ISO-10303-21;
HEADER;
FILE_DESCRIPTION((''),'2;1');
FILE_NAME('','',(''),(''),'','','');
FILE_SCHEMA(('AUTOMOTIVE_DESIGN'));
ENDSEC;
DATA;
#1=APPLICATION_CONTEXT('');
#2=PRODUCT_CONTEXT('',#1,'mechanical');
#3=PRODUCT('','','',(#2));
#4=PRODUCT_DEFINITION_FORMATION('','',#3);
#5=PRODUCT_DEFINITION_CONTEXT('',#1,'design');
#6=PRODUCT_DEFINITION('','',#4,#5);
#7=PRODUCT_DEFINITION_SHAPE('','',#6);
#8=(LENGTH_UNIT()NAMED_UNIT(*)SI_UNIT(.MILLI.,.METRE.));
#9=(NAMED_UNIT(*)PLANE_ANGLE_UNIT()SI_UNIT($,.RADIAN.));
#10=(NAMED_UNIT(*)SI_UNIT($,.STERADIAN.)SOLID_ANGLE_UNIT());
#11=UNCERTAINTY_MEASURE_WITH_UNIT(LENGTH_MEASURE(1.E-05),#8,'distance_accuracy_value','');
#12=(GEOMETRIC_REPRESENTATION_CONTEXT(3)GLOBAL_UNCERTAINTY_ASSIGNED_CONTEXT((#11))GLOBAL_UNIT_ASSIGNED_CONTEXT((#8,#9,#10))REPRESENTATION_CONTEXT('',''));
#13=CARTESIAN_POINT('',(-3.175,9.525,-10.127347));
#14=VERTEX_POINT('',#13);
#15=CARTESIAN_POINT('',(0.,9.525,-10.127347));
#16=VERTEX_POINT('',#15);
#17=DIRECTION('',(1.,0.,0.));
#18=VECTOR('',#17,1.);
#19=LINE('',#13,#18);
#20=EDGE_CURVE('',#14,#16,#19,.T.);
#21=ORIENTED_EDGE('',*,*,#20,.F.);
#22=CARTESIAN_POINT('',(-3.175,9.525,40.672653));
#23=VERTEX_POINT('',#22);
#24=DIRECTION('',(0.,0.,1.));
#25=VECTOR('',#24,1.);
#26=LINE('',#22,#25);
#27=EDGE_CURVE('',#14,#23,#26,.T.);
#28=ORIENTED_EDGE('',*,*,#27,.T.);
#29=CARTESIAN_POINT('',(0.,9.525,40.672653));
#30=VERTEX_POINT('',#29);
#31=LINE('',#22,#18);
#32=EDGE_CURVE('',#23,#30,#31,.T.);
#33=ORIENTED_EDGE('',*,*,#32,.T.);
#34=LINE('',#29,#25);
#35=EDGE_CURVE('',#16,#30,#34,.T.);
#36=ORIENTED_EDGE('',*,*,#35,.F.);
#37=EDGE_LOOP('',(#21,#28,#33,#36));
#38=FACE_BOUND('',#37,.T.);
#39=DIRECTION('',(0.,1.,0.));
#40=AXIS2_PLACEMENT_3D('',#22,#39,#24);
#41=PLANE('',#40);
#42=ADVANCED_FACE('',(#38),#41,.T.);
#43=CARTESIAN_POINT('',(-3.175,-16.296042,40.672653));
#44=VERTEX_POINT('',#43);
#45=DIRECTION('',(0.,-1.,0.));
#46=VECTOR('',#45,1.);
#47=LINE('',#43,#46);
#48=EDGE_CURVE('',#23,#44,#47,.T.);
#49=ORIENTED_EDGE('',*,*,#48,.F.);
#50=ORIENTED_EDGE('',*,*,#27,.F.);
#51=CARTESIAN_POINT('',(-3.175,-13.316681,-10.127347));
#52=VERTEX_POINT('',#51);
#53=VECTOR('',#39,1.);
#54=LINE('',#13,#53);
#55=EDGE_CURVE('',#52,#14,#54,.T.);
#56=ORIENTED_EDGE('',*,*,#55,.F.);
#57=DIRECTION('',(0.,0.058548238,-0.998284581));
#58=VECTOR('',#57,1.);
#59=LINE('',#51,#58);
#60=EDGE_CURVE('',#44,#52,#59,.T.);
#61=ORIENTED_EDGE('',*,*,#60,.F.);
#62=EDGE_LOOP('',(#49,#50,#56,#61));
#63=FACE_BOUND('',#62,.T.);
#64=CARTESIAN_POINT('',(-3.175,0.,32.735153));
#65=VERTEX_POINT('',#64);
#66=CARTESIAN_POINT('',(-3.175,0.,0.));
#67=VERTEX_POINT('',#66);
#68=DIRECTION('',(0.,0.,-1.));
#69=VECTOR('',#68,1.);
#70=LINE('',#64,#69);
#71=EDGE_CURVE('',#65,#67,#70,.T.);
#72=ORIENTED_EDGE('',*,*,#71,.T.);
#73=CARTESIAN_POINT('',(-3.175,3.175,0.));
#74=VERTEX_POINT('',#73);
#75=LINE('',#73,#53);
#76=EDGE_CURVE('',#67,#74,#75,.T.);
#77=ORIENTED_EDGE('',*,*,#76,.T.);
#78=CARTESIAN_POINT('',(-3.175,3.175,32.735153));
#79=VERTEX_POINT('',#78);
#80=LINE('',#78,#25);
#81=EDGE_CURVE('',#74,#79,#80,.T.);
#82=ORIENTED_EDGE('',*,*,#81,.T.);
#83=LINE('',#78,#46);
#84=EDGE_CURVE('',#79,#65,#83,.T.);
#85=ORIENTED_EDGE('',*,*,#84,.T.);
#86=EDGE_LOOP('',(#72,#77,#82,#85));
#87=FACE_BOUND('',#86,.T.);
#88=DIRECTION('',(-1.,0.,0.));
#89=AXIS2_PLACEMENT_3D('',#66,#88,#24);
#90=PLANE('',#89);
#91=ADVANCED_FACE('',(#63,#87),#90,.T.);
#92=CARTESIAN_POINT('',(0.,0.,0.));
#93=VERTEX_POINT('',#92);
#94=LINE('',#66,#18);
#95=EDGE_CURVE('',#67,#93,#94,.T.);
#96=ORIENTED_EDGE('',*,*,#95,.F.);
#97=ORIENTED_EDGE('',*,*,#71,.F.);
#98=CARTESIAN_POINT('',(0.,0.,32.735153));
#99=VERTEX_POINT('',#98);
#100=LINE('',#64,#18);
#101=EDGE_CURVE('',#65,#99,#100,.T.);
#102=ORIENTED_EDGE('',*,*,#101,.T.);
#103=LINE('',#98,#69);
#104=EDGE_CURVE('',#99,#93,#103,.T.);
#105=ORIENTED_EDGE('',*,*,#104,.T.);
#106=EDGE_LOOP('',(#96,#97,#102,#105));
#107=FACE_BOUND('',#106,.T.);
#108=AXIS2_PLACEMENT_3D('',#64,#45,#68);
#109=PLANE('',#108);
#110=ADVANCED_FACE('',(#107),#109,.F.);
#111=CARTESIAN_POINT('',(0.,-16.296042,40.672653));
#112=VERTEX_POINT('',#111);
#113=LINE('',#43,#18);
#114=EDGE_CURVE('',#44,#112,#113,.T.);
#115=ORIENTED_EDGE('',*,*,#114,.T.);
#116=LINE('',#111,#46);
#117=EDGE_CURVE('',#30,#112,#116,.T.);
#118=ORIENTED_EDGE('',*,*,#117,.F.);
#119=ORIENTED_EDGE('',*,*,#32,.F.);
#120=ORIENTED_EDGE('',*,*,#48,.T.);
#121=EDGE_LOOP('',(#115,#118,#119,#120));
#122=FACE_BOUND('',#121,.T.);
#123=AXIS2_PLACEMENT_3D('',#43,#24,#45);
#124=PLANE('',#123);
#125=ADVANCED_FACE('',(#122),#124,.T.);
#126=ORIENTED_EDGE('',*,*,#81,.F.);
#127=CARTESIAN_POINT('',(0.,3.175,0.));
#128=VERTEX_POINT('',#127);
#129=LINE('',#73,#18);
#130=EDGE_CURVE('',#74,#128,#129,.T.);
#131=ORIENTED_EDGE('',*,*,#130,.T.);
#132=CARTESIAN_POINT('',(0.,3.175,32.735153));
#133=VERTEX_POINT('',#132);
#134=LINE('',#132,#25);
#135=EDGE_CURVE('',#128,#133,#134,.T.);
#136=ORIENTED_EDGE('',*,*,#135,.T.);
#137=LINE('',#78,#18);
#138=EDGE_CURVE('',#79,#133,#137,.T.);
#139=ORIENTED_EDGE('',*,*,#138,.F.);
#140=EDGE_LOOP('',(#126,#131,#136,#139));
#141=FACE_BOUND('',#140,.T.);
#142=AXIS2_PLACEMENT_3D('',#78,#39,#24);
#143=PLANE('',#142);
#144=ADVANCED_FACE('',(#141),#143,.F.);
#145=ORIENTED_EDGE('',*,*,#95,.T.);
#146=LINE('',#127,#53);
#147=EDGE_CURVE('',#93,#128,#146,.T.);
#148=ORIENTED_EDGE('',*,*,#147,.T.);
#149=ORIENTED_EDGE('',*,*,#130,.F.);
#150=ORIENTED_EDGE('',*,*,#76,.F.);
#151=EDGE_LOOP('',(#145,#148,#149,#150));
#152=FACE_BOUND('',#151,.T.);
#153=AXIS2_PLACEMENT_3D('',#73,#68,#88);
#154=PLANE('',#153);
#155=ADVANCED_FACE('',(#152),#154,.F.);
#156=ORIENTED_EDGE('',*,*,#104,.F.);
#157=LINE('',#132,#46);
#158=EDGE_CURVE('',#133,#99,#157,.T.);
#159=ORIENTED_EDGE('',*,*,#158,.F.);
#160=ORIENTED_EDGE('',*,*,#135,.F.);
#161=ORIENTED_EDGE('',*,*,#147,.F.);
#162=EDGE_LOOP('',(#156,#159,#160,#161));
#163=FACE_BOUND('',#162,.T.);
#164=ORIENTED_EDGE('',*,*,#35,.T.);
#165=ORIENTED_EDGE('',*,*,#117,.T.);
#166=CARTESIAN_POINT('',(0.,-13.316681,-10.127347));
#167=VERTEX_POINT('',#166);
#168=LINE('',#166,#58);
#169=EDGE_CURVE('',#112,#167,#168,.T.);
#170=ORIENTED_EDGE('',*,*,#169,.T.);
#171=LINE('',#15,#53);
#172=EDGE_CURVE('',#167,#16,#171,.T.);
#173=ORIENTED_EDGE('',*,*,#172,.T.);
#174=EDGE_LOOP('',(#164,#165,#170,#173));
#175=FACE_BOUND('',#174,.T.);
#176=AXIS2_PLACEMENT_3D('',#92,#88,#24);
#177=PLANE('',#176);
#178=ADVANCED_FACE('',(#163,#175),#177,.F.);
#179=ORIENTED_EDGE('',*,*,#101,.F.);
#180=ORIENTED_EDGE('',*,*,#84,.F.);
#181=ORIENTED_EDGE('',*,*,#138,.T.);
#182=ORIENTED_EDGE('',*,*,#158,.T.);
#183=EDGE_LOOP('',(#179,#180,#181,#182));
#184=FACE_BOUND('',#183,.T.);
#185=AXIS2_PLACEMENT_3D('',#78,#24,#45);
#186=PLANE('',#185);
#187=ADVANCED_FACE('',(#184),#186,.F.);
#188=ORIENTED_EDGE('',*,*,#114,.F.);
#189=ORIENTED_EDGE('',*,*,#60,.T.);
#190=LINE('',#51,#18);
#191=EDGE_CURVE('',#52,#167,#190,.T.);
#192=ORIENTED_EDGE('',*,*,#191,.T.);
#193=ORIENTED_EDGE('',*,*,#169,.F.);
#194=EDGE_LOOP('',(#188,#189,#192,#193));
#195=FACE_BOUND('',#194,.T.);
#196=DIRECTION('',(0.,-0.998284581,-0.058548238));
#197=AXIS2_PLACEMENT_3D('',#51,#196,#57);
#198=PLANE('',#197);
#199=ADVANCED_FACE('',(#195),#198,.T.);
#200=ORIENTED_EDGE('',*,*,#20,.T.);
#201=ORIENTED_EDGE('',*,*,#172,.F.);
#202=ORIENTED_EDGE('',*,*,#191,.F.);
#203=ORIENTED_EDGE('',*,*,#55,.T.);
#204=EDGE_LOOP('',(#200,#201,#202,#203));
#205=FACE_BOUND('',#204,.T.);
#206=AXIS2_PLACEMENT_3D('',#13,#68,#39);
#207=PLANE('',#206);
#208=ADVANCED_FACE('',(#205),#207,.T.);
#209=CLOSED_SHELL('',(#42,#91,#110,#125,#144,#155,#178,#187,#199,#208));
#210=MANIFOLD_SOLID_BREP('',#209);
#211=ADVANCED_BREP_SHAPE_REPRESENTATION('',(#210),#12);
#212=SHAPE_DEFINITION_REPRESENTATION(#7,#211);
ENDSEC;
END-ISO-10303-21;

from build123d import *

# Parameters (mm, degrees)
SKETCH1_W           = 32.735153169
SKETCH1_H           = 3.175
BOSS_EXTRUDE1_DEPTH = 3.175


with BuildPart() as part:
    # Sketch1 → Boss-Extrude1 (new body)
    with BuildSketch(Plane(origin=(0, 0, 0), x_dir=(0, 0, -1), z_dir=(1, 0, 0))):
        Polygon((-40.672653169, 9.525), (10.127346831, 9.525), (10.127346831, -13.316680621), (-40.672653169, -16.296041968), align=None)
        with Locations((-16.367576585, 1.5875)):
            Rectangle(SKETCH1_W, SKETCH1_H, mode=Mode.SUBTRACT)
    extrude(amount=-BOSS_EXTRUDE1_DEPTH)


solid = part.part
